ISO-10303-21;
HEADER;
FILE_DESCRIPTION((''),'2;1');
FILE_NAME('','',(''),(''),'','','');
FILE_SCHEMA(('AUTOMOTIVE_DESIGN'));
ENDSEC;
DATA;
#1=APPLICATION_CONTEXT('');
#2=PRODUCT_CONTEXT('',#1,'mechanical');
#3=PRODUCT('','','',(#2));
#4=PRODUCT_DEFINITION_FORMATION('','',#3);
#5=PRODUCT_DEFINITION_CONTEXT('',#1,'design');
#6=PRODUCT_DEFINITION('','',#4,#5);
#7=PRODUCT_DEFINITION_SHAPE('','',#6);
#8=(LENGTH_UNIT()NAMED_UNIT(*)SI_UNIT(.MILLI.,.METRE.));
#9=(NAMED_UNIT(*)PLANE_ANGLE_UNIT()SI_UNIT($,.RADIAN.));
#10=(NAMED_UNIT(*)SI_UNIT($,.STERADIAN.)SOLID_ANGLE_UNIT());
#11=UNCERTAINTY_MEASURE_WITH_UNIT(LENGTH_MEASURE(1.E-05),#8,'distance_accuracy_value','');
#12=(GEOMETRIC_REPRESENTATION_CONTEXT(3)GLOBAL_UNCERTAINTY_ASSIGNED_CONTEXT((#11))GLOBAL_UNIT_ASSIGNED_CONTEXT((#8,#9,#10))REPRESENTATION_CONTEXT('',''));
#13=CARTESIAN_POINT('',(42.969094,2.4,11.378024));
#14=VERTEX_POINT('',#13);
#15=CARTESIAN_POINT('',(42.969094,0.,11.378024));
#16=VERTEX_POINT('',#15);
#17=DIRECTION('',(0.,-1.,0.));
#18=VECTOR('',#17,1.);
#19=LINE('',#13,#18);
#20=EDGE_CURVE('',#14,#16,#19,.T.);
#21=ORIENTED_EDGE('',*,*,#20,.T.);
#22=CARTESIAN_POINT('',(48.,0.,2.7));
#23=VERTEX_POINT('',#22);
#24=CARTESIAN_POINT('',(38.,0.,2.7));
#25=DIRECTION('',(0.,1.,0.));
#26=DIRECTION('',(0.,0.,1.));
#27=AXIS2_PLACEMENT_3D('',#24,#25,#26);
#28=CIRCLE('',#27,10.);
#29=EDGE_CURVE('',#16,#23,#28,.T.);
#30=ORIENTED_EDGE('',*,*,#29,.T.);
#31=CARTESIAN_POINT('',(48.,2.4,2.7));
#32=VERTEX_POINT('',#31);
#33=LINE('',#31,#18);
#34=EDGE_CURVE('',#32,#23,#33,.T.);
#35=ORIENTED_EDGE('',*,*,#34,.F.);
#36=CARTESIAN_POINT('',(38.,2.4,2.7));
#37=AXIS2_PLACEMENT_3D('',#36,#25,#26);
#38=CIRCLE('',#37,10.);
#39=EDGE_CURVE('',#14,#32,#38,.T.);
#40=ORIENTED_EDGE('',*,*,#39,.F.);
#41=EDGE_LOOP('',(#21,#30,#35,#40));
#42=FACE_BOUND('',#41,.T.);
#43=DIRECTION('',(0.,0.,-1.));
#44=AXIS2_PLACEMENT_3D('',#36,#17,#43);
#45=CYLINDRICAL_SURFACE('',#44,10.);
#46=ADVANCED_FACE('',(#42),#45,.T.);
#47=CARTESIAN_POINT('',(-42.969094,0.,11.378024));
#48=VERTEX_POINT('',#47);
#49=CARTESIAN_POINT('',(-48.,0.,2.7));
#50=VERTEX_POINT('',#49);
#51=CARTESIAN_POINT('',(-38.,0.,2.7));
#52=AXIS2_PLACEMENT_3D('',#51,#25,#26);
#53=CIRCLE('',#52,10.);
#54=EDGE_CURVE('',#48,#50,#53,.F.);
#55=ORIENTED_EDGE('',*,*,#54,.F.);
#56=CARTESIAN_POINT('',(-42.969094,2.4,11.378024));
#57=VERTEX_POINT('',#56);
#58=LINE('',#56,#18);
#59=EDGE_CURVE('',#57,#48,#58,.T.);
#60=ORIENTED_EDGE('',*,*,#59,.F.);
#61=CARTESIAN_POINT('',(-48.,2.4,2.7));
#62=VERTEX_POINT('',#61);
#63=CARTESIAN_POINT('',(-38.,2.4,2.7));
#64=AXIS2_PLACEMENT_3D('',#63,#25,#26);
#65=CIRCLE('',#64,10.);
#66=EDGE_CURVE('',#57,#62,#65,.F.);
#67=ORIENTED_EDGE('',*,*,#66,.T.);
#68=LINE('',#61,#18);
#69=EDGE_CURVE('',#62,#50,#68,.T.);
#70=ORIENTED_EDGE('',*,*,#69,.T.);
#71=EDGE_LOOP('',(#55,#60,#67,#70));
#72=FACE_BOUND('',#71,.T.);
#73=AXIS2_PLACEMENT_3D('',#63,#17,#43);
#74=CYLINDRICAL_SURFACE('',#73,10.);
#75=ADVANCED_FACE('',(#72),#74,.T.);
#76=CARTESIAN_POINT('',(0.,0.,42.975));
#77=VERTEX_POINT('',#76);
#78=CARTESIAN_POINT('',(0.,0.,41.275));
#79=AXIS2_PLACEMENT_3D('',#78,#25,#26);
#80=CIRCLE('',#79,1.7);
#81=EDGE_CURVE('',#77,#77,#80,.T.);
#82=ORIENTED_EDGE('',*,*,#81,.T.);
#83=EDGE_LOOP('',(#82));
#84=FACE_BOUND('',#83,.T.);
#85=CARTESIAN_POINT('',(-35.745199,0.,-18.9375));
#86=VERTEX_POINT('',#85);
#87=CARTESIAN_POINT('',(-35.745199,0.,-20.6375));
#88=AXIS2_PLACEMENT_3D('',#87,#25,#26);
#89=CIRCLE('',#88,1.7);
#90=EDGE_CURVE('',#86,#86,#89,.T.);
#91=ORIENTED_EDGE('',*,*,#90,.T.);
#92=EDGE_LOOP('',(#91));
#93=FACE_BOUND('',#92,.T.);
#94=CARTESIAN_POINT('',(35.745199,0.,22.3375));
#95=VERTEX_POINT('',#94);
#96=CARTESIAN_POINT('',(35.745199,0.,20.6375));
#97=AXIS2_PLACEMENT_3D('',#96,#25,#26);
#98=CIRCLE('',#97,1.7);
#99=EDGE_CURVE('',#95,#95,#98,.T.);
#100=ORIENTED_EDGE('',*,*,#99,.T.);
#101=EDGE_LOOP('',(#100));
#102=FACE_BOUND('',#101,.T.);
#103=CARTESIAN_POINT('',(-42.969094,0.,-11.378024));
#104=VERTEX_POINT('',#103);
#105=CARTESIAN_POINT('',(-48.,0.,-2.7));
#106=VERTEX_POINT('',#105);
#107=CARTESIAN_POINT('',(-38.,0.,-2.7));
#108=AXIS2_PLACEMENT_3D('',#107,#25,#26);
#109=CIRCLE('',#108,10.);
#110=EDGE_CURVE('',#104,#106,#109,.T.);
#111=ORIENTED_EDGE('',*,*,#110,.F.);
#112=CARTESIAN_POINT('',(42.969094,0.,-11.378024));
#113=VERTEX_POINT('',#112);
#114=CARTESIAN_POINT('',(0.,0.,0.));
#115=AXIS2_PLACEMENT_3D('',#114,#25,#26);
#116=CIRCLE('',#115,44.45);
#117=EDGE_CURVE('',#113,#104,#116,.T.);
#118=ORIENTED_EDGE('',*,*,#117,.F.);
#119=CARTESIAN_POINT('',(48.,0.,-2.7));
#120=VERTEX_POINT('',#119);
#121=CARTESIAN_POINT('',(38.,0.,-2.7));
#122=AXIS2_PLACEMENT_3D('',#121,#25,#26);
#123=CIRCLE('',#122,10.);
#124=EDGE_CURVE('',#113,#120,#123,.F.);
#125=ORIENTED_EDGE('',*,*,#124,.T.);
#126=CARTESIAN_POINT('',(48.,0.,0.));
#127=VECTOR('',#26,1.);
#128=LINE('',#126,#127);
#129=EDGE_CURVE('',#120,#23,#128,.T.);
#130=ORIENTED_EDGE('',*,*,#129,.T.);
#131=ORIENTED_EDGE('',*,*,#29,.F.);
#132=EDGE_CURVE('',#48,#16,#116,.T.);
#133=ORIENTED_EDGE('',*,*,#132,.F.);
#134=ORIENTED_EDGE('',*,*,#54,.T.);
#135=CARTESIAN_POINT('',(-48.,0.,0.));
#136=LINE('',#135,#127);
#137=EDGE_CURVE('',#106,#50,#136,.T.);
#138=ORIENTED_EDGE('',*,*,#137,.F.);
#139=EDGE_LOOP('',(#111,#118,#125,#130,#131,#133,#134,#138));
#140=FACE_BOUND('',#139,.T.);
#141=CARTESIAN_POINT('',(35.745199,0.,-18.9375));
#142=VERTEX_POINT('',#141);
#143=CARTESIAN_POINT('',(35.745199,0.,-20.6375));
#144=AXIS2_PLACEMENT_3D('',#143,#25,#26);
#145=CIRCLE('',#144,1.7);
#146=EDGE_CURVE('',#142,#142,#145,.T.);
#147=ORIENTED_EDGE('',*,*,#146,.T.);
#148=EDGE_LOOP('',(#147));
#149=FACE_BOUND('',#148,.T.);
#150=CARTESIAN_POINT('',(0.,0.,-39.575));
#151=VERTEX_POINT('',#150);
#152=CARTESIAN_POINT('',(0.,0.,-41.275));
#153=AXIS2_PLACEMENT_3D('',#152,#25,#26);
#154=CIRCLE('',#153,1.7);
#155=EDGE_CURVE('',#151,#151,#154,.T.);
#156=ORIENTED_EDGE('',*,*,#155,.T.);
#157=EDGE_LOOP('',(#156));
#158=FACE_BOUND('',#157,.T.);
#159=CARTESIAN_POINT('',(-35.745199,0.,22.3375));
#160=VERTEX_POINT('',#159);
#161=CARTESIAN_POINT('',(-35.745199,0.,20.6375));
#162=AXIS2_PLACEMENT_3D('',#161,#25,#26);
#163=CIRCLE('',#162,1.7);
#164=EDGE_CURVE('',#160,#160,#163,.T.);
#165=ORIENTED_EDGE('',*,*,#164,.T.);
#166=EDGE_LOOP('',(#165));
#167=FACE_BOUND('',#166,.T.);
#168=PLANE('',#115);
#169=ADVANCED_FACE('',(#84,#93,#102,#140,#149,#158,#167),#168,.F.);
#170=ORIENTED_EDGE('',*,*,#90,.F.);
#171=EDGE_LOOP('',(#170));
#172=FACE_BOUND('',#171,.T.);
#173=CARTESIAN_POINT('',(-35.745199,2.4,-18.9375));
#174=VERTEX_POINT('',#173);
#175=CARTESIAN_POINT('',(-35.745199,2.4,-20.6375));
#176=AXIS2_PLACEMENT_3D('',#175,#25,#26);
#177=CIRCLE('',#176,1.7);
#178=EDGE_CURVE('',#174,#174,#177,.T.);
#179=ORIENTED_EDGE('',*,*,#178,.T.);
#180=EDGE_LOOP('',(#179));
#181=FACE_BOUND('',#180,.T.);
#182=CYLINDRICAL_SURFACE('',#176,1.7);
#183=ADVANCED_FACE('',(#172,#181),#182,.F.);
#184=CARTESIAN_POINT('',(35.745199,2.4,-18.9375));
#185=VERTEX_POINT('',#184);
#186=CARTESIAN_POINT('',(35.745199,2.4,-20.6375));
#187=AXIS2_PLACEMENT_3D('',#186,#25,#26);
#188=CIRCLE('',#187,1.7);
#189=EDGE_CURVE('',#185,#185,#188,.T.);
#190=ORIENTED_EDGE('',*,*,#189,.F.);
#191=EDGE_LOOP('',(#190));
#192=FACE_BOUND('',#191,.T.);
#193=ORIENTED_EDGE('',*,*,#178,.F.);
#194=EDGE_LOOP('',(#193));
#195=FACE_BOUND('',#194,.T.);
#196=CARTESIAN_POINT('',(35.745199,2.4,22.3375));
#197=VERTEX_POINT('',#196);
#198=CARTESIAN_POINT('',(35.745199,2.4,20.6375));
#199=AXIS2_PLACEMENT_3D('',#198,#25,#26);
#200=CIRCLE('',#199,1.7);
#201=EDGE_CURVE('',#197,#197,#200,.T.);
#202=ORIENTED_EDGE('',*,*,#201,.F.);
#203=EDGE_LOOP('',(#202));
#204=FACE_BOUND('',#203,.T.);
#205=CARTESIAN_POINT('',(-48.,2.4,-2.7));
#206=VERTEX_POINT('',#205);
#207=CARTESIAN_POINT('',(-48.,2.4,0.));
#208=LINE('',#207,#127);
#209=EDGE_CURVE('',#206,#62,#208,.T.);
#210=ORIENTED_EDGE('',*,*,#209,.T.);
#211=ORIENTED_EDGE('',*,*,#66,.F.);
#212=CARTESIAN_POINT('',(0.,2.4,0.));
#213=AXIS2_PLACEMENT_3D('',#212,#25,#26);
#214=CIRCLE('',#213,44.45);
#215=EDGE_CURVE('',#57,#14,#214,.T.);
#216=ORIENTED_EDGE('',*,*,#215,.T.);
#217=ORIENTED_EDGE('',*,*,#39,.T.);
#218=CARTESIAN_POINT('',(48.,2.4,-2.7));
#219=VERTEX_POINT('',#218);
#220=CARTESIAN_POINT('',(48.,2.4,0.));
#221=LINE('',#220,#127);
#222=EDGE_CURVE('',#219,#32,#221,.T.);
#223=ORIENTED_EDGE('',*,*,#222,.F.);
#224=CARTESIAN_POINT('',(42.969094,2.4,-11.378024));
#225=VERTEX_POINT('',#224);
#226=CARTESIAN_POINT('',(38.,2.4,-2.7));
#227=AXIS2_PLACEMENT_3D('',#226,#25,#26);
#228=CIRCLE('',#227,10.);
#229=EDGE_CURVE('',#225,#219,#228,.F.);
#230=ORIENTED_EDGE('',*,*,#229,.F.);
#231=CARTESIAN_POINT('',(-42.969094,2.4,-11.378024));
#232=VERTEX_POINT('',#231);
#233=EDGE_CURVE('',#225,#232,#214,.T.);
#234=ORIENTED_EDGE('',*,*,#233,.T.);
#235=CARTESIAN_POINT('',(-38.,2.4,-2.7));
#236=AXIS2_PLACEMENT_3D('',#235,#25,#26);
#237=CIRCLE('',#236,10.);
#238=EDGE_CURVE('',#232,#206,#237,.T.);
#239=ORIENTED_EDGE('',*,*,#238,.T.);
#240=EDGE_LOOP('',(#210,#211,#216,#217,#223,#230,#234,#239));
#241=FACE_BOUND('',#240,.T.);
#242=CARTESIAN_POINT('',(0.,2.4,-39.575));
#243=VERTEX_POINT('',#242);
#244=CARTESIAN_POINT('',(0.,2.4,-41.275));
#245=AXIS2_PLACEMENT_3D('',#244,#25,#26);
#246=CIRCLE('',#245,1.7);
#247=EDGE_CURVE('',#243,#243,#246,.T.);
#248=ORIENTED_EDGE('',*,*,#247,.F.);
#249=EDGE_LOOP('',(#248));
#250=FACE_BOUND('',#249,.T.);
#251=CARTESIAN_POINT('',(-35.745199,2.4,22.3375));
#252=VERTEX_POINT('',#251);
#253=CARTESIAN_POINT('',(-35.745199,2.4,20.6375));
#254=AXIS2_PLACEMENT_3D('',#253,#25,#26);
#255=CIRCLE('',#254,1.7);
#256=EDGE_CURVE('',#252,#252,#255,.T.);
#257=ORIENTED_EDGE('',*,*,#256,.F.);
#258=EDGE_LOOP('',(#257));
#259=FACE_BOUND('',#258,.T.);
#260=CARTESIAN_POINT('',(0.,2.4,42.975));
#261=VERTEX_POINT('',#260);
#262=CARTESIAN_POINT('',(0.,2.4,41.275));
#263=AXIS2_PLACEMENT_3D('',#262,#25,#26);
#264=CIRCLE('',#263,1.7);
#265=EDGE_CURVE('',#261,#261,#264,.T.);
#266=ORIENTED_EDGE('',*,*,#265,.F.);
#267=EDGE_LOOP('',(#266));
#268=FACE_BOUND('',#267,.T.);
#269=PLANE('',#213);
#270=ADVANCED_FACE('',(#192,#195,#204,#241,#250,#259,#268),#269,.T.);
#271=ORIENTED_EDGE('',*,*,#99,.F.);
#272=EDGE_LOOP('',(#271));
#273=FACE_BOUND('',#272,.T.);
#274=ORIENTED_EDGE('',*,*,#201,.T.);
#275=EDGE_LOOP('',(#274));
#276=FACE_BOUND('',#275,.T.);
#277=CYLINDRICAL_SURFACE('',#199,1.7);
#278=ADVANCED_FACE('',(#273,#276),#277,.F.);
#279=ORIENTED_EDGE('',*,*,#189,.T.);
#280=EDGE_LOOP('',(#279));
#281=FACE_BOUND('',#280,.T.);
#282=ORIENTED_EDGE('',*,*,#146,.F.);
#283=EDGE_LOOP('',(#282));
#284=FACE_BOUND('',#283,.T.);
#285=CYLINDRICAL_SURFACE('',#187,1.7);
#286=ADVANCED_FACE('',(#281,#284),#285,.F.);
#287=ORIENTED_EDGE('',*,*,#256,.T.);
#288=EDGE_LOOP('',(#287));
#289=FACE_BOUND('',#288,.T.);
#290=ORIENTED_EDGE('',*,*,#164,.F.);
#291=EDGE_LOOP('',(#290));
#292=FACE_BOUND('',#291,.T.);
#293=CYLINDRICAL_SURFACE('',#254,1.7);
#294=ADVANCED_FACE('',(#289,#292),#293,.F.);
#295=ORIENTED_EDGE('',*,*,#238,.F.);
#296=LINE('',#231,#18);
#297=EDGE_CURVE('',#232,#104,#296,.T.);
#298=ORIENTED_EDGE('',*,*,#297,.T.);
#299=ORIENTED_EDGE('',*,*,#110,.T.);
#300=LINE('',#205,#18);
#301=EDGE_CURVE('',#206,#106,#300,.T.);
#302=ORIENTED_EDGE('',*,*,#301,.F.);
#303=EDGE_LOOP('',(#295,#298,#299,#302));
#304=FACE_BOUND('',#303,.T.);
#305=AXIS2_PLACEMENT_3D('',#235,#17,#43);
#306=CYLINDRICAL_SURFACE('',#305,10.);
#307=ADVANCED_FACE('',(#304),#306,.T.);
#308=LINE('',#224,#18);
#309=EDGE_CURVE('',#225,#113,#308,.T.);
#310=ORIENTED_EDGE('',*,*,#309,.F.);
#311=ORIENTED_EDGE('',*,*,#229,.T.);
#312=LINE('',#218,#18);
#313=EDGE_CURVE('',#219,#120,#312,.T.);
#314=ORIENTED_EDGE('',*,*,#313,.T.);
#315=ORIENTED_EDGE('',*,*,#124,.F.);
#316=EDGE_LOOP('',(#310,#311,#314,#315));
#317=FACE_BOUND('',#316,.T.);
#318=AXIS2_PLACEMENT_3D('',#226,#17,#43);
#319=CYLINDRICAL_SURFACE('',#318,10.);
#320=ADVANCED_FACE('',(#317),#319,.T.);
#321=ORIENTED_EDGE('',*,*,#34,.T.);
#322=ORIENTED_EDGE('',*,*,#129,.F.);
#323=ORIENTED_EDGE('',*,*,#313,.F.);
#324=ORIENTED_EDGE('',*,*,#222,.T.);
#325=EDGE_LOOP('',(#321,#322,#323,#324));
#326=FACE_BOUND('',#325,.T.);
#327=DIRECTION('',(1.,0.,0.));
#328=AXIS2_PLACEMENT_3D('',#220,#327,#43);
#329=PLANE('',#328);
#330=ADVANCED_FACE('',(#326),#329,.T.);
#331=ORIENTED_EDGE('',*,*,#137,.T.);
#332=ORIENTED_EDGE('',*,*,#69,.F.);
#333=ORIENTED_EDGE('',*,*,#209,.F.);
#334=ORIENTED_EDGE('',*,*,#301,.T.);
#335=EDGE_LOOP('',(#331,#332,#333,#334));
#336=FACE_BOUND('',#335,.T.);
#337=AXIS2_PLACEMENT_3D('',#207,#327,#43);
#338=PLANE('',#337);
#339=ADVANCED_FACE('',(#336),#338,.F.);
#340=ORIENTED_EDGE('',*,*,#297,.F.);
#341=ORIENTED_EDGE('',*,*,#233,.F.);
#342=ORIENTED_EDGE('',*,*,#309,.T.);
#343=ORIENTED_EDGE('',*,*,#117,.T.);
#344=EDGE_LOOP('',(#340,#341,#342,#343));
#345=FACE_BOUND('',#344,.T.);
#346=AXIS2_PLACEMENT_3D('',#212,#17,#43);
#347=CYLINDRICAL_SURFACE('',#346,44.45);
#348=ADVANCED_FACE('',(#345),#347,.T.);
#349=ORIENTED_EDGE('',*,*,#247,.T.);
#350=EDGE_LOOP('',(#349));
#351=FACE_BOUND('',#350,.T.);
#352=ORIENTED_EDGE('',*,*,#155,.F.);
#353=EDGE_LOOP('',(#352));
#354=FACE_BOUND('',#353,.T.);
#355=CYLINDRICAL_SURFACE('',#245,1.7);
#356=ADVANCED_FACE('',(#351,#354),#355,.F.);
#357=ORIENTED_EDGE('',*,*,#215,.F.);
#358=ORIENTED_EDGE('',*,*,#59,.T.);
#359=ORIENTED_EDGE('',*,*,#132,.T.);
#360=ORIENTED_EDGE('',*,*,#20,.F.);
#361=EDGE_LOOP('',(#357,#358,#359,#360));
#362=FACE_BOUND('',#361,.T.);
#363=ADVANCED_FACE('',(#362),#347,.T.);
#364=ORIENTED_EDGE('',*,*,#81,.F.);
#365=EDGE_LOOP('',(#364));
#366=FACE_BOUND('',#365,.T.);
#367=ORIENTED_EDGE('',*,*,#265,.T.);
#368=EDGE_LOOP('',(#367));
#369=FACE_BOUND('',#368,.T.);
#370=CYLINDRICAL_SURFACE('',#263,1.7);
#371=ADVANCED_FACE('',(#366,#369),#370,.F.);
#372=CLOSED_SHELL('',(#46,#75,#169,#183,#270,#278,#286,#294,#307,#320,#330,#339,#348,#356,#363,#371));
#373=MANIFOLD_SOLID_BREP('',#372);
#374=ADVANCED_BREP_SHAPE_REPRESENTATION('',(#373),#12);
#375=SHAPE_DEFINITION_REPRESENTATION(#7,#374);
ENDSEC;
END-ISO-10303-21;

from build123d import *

# Parameters (mm, degrees)
BOSS_EXTRUDE1_DEPTH  = 2.4
M3_CLEARANCE_HOLE1_D = 3.4
CIRPATTERN1_COUNT    = 6


with BuildPart() as part:
    # Sketch1 → Boss-Extrude1 (new body)
    with BuildSketch(Plane(origin=(0, 0, 0), x_dir=(1, 0, 0), z_dir=(0, 1, 0))):
        with BuildLine():
            ThreePointArc((-42.969094344, -11.378024049), (-44.45, 0), (-42.969094344, 11.378024049))
            ThreePointArc((-42.969094344, 11.378024049), (-46.651327743, 7.715429023), (-48, 2.7))
            Line((-48, 2.7), (-48, -2.7))
            ThreePointArc((-48, -2.7), (-46.651327743, -7.715429023), (-42.969094344, -11.378024049))
        make_face()
        with BuildLine():
            Line((38, 12.7), (-38, 12.7))
            ThreePointArc((-38, 12.7), (-40.570968641, 12.363856386), (-42.969094344, 11.378024049))
            ThreePointArc((-42.969094344, 11.378024049), (-44.45, 0), (-42.969094344, -11.378024049))
            ThreePointArc((-42.969094344, -11.378024049), (-40.570968641, -12.363856386), (-38, -12.7))
            Line((-38, -12.7), (38, -12.7))
            ThreePointArc((38, -12.7), (40.570968641, -12.363856386), (42.969094344, -11.378024049))
            ThreePointArc((42.969094344, -11.378024049), (44.078218791, -5.736996445), (44.45, 0))
            ThreePointArc((44.45, 0), (44.078218791, 5.736996445), (42.969094344, 11.378024049))
            ThreePointArc((42.969094344, 11.378024049), (40.570968641, 12.363856386), (38, 12.7))
        make_face()
        with BuildLine():
            ThreePointArc((-38, -12.7), (-40.570968641, -12.363856386), (-42.969094344, -11.378024049))
            ThreePointArc((-42.969094344, -11.378024049), (0, -44.45), (42.969094344, -11.378024049))
            ThreePointArc((42.969094344, -11.378024049), (40.570968641, -12.363856386), (38, -12.7))
            Line((38, -12.7), (-38, -12.7))
        make_face()
        with BuildLine():
            ThreePointArc((-42.969094344, 11.378024049), (-40.570968641, 12.363856386), (-38, 12.7))
            Line((-38, 12.7), (38, 12.7))
            ThreePointArc((38, 12.7), (40.570968641, 12.363856386), (42.969094344, 11.378024049))
            ThreePointArc((42.969094344, 11.378024049), (0, 44.45), (-42.969094344, 11.378024049))
        make_face()
        with BuildLine():
            ThreePointArc((48, 2.7), (46.651327743, 7.715429023), (42.969094344, 11.378024049))
            ThreePointArc((42.969094344, 11.378024049), (44.078218791, 5.736996445), (44.45, 0))
            ThreePointArc((44.45, 0), (44.078218791, -5.736996445), (42.969094344, -11.378024049))
            ThreePointArc((42.969094344, -11.378024049), (46.651327743, -7.715429023), (48, -2.7))
            Line((48, -2.7), (48, 2.7))
        make_face()
    extrude(amount=BOSS_EXTRUDE1_DEPTH)

    # M3 Clearance Hole1 (through all)
    with Locations(Plane(origin=(0, 2.4, -41.275), x_dir=(0, 0, 1), z_dir=(0, 1, 0))):
        with Locations((0, 0)):
            m3_clearance_hole1 = Hole(M3_CLEARANCE_HOLE1_D / 2)

    # CirPattern1: M3 Clearance Hole1 ×6 about axis
    cirpattern1_axis = Axis((0, 0, 0), (0, 1, 0))
    for i in range(1, CIRPATTERN1_COUNT):
        add(m3_clearance_hole1.rotate(cirpattern1_axis, i * 360 / CIRPATTERN1_COUNT), mode=Mode.SUBTRACT)


solid = part.part
